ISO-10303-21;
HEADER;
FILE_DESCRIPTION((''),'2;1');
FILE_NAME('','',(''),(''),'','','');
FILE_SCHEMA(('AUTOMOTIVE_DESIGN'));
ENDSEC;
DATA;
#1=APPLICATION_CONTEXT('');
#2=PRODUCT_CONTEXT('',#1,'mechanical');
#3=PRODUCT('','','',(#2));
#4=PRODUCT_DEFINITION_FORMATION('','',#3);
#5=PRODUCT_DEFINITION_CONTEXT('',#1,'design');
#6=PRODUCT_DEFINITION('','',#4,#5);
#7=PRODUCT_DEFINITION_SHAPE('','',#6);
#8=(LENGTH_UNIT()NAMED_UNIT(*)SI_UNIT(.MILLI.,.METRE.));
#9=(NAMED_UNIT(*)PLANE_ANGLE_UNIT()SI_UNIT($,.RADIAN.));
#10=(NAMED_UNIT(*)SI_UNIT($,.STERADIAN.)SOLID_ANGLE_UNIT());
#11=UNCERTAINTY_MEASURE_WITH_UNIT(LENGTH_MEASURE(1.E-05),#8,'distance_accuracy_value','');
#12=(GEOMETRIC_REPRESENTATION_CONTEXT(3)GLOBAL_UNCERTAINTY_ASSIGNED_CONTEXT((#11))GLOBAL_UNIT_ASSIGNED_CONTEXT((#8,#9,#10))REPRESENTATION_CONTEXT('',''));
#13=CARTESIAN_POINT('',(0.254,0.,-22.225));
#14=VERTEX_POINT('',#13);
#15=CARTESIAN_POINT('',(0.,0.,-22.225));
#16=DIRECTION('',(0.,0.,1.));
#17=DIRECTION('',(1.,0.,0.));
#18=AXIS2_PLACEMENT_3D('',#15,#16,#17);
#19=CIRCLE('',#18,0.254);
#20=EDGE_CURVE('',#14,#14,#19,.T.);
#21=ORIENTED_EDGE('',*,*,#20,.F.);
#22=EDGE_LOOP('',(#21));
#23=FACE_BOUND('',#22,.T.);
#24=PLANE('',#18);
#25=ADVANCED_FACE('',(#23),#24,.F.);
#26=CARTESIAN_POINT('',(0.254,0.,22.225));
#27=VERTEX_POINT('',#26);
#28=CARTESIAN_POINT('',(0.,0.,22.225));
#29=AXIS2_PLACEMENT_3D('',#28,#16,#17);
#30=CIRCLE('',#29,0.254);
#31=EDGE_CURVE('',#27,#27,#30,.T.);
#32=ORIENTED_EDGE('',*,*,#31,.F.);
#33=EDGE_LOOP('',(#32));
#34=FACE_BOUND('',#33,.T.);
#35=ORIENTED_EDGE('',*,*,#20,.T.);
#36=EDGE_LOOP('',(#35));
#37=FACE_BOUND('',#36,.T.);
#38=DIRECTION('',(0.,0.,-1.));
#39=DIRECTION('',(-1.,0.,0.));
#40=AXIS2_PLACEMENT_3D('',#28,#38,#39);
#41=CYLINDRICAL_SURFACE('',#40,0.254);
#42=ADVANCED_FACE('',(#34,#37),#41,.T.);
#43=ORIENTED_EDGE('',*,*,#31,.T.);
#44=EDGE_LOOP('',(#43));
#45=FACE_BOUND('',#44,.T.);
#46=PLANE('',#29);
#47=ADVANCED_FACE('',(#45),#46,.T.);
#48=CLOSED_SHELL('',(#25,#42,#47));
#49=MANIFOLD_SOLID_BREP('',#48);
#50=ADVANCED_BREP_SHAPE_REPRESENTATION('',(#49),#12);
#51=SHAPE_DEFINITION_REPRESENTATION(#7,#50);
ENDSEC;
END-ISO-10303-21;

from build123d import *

# Parameters (mm, degrees)
SKETCH1_R           = 0.254
BOSS_EXTRUDE1_DEPTH = 22.225


with BuildPart() as part:
    # Sketch1 → Boss-Extrude1 (new body, symmetric)
    with BuildSketch(Plane.XY):
        Circle(SKETCH1_R)
    extrude(amount=BOSS_EXTRUDE1_DEPTH, both=True)


solid = part.part
